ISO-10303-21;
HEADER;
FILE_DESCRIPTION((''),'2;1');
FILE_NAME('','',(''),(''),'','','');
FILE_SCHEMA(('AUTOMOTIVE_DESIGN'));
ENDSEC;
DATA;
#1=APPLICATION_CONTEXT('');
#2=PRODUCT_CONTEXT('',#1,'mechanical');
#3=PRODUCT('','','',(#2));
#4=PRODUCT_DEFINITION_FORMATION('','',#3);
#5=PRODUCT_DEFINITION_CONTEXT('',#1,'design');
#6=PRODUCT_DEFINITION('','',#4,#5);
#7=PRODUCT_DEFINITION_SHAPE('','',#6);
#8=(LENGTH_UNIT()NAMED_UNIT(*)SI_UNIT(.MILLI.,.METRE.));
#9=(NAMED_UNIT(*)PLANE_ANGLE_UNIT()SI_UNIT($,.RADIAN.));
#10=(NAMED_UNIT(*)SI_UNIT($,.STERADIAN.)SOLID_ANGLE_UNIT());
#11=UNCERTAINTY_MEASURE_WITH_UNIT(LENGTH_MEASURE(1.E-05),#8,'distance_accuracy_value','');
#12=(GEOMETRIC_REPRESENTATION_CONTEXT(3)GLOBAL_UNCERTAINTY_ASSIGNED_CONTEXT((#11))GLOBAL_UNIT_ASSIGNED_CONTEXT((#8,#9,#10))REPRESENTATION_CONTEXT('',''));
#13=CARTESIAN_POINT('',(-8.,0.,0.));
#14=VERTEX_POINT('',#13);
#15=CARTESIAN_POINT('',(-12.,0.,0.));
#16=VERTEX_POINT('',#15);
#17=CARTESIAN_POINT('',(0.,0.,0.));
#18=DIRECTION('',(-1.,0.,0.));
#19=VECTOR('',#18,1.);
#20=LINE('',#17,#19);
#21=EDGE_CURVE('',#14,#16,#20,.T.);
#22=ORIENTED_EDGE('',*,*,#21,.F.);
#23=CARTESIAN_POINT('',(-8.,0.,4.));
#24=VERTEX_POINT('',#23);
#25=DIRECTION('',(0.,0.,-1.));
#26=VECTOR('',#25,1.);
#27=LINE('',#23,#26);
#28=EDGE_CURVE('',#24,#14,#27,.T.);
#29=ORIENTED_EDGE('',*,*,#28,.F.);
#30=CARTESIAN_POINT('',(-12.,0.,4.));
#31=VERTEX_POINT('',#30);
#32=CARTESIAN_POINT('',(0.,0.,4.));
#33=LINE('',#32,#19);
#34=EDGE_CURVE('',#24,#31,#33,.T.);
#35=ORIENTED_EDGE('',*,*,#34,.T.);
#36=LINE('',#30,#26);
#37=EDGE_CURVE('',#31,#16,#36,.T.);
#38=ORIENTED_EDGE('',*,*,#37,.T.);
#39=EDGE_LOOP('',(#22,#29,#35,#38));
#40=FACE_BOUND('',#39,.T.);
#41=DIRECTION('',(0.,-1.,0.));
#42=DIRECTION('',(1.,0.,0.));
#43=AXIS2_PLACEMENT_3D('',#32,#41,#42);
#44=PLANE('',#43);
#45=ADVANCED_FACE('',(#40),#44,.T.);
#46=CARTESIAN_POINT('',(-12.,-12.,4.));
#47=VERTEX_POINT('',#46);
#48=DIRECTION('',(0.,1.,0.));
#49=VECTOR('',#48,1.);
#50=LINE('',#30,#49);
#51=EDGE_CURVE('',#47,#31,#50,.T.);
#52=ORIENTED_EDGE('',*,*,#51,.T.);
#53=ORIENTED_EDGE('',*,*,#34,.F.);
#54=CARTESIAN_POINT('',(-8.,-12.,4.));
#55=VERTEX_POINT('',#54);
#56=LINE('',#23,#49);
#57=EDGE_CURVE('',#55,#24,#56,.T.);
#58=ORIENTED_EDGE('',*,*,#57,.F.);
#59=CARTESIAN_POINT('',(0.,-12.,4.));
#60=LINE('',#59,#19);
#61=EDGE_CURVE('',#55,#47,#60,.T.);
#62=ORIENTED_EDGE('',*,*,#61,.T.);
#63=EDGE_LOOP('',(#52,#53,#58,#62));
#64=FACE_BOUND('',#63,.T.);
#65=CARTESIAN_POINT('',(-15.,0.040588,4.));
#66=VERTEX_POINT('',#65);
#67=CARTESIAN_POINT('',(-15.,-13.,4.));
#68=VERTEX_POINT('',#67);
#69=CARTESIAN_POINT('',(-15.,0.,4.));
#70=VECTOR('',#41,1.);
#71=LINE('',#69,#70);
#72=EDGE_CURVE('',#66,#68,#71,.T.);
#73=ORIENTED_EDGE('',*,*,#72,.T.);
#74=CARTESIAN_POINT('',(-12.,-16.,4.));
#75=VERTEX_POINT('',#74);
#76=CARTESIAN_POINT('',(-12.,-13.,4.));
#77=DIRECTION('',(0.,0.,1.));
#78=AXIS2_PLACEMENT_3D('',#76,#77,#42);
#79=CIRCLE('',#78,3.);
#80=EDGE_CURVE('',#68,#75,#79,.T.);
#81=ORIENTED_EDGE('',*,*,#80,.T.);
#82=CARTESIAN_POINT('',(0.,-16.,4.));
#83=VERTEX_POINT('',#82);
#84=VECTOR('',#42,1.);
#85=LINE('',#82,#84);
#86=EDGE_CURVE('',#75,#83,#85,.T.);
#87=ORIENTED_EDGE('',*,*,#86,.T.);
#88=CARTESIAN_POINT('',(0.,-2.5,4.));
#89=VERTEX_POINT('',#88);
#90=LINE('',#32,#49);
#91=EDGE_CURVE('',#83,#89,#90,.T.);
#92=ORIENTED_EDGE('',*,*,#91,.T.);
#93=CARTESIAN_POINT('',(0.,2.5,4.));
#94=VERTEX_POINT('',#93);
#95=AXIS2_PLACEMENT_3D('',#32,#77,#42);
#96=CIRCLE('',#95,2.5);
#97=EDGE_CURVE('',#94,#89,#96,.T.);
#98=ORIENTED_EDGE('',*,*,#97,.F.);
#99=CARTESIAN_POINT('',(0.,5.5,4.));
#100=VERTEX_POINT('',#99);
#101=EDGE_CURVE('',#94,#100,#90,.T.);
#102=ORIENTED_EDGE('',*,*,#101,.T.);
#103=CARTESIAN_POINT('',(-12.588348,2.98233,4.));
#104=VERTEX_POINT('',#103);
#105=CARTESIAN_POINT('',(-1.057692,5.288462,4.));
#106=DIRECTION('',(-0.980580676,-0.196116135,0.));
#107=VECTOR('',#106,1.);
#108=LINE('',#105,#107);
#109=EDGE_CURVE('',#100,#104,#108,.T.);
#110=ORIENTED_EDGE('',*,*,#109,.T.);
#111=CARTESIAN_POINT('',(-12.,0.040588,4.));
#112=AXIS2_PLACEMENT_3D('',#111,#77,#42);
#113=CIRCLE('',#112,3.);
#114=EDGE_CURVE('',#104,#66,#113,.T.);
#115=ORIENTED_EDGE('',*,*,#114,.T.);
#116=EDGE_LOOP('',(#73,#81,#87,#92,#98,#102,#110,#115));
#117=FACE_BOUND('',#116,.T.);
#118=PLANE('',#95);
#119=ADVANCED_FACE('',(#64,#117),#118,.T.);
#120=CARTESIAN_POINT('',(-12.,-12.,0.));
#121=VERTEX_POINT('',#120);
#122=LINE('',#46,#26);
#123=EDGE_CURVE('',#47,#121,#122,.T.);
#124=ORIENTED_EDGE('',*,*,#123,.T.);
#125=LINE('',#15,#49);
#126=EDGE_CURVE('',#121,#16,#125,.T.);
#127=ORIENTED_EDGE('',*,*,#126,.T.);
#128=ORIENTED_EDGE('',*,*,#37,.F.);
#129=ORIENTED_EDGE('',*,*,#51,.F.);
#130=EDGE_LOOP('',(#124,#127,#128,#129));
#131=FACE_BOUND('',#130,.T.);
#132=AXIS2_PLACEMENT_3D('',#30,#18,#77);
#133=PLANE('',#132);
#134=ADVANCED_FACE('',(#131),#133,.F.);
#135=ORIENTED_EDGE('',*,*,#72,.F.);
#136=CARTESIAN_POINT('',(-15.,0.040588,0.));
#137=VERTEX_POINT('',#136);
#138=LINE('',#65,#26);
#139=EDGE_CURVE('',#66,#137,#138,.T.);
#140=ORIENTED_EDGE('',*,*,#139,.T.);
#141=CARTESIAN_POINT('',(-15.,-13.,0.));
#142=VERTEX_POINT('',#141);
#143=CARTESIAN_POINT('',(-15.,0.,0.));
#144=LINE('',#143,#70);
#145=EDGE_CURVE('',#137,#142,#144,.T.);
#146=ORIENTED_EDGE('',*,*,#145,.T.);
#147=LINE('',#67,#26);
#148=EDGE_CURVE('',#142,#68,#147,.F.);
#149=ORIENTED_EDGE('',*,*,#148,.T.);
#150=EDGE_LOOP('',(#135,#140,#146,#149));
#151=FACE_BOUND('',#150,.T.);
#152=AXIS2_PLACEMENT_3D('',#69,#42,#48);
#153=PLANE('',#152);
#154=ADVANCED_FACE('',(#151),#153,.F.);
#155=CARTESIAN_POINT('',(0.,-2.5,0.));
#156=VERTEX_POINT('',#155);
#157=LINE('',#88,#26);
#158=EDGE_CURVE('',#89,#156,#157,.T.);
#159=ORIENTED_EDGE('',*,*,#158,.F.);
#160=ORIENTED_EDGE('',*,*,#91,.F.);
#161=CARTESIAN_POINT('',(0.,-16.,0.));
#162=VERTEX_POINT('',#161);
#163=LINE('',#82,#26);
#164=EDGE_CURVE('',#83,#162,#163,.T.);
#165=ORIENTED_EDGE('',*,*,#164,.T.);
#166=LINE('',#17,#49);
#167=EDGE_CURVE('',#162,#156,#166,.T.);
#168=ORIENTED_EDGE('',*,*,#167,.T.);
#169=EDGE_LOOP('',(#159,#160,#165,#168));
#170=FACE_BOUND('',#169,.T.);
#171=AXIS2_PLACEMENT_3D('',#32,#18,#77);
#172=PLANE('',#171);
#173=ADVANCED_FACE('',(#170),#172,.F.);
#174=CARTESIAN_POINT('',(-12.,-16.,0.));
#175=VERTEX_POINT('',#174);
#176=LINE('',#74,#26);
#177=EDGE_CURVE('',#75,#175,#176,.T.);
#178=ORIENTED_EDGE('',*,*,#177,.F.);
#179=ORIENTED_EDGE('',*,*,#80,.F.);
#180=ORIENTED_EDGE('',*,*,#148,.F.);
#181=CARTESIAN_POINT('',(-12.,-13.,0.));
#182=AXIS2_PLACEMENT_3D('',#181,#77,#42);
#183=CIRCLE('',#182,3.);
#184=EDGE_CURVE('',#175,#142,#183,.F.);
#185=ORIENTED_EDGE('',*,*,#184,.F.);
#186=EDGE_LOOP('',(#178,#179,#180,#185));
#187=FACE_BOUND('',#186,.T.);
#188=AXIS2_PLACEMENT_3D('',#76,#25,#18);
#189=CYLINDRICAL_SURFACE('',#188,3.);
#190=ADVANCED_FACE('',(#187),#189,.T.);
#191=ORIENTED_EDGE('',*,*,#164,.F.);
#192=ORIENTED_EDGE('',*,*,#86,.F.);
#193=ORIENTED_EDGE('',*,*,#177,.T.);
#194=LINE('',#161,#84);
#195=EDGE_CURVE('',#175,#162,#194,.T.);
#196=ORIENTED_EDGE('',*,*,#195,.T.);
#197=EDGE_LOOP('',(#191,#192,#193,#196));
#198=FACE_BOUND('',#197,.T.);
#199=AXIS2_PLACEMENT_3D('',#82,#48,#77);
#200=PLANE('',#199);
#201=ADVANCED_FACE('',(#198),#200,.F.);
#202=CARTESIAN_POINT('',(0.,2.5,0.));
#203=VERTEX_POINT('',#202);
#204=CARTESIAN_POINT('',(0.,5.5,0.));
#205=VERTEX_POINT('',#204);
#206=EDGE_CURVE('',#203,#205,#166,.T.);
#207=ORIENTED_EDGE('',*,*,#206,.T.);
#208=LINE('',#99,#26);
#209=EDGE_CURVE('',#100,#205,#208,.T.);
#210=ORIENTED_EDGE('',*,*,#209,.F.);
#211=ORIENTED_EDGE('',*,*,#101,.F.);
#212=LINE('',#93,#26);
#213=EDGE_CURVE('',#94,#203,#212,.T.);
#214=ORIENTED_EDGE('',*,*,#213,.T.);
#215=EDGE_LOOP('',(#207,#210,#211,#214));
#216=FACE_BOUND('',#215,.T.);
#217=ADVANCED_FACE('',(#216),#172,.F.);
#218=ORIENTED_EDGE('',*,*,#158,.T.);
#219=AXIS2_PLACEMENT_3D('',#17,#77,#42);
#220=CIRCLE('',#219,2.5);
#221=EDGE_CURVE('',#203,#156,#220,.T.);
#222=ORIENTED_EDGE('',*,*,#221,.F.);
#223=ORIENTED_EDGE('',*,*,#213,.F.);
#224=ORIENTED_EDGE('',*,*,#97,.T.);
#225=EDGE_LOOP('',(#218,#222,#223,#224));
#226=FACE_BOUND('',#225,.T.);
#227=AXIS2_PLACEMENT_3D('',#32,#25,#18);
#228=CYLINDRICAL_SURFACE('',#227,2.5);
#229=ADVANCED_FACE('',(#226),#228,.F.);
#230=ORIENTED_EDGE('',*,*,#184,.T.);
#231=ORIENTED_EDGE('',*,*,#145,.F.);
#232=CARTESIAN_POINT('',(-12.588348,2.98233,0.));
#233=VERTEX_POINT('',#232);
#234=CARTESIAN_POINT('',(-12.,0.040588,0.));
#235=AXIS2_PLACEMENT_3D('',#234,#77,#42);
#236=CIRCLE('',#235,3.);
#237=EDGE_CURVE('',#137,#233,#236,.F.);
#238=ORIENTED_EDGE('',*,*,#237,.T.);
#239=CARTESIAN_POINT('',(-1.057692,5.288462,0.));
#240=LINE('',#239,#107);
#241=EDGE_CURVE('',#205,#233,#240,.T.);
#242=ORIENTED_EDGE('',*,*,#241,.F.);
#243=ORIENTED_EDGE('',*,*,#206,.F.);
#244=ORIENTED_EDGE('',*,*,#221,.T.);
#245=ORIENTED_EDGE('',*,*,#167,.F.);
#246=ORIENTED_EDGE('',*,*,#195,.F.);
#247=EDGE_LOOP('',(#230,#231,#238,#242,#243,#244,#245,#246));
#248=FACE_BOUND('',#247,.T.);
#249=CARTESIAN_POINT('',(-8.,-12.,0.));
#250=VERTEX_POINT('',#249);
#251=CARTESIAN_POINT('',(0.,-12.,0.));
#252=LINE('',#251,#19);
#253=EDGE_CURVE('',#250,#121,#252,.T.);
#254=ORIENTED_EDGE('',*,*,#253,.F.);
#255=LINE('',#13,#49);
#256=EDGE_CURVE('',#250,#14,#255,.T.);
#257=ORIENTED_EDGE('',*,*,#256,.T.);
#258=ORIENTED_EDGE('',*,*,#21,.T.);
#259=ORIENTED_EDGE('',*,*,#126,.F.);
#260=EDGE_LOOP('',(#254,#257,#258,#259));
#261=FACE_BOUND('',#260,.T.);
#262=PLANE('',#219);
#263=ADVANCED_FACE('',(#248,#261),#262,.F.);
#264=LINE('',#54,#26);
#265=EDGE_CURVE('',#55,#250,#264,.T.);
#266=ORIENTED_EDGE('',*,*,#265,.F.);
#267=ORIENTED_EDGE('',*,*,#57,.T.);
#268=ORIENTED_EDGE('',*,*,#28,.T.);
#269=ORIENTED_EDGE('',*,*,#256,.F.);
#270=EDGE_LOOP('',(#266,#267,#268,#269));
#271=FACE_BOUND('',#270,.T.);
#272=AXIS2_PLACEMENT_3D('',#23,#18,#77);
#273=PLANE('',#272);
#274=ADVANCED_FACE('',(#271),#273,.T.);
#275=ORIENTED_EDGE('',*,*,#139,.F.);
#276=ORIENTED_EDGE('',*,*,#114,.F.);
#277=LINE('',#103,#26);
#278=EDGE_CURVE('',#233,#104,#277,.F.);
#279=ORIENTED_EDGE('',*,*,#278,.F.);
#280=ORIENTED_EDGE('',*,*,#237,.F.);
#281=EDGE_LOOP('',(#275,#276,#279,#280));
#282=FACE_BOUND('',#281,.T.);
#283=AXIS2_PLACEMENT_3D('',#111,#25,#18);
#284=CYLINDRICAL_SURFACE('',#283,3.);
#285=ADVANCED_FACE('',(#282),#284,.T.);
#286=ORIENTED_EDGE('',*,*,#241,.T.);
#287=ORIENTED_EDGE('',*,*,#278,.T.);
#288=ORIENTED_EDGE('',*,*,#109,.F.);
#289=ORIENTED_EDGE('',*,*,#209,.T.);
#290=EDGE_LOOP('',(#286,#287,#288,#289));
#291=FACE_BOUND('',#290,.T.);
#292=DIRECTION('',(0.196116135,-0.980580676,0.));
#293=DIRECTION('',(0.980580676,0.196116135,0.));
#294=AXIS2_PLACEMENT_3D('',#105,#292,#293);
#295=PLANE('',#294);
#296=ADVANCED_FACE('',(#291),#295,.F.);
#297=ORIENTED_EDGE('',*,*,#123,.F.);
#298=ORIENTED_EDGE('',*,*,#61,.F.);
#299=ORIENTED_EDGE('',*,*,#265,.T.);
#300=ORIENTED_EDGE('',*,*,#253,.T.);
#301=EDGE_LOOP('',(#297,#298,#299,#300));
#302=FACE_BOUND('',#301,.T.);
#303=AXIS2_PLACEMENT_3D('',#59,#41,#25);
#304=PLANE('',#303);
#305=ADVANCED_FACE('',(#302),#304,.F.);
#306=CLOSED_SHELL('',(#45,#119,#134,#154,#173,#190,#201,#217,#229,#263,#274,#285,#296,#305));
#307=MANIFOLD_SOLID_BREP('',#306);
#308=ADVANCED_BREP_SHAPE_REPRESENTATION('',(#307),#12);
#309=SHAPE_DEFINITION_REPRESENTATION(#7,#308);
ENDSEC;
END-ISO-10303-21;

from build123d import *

# Parameters (mm, degrees)
SKETCH_1_W      = 4
SKETCH_1_H      = 12
EXTRUDE_1_DEPTH = 4
FILLET_1_R      = 3


with BuildPart() as part:
    # ｽｹｯﾁ1 → ﾎﾞｽ - 押し出し1 (new body)
    with BuildSketch(Plane.XY):
        with BuildLine():
            Line((0, 2.5), (0, 5.5))
            Line((0, 5.5), (-15, 2.5))
            Line((-15, 2.5), (-15, -16))
            Line((-15, -16), (0, -16))
            Line((0, -16), (0, -2.5))
            ThreePointArc((0, -2.5), (-2.5, 0), (0, 2.5))
        make_face()
        with Locations((-10, -6)):
            Rectangle(SKETCH_1_W, SKETCH_1_H, mode=Mode.SUBTRACT)
    extrude(amount=EXTRUDE_1_DEPTH)

    # ﾌｨﾚｯﾄ1
    fillet_1_edges = [part.edges().sort_by_distance(p)[0] for p in [
        (-15, -16, 2),
        (-15, 2.5, 2),
    ]]
    fillet(fillet_1_edges, radius=FILLET_1_R)


solid = part.part
